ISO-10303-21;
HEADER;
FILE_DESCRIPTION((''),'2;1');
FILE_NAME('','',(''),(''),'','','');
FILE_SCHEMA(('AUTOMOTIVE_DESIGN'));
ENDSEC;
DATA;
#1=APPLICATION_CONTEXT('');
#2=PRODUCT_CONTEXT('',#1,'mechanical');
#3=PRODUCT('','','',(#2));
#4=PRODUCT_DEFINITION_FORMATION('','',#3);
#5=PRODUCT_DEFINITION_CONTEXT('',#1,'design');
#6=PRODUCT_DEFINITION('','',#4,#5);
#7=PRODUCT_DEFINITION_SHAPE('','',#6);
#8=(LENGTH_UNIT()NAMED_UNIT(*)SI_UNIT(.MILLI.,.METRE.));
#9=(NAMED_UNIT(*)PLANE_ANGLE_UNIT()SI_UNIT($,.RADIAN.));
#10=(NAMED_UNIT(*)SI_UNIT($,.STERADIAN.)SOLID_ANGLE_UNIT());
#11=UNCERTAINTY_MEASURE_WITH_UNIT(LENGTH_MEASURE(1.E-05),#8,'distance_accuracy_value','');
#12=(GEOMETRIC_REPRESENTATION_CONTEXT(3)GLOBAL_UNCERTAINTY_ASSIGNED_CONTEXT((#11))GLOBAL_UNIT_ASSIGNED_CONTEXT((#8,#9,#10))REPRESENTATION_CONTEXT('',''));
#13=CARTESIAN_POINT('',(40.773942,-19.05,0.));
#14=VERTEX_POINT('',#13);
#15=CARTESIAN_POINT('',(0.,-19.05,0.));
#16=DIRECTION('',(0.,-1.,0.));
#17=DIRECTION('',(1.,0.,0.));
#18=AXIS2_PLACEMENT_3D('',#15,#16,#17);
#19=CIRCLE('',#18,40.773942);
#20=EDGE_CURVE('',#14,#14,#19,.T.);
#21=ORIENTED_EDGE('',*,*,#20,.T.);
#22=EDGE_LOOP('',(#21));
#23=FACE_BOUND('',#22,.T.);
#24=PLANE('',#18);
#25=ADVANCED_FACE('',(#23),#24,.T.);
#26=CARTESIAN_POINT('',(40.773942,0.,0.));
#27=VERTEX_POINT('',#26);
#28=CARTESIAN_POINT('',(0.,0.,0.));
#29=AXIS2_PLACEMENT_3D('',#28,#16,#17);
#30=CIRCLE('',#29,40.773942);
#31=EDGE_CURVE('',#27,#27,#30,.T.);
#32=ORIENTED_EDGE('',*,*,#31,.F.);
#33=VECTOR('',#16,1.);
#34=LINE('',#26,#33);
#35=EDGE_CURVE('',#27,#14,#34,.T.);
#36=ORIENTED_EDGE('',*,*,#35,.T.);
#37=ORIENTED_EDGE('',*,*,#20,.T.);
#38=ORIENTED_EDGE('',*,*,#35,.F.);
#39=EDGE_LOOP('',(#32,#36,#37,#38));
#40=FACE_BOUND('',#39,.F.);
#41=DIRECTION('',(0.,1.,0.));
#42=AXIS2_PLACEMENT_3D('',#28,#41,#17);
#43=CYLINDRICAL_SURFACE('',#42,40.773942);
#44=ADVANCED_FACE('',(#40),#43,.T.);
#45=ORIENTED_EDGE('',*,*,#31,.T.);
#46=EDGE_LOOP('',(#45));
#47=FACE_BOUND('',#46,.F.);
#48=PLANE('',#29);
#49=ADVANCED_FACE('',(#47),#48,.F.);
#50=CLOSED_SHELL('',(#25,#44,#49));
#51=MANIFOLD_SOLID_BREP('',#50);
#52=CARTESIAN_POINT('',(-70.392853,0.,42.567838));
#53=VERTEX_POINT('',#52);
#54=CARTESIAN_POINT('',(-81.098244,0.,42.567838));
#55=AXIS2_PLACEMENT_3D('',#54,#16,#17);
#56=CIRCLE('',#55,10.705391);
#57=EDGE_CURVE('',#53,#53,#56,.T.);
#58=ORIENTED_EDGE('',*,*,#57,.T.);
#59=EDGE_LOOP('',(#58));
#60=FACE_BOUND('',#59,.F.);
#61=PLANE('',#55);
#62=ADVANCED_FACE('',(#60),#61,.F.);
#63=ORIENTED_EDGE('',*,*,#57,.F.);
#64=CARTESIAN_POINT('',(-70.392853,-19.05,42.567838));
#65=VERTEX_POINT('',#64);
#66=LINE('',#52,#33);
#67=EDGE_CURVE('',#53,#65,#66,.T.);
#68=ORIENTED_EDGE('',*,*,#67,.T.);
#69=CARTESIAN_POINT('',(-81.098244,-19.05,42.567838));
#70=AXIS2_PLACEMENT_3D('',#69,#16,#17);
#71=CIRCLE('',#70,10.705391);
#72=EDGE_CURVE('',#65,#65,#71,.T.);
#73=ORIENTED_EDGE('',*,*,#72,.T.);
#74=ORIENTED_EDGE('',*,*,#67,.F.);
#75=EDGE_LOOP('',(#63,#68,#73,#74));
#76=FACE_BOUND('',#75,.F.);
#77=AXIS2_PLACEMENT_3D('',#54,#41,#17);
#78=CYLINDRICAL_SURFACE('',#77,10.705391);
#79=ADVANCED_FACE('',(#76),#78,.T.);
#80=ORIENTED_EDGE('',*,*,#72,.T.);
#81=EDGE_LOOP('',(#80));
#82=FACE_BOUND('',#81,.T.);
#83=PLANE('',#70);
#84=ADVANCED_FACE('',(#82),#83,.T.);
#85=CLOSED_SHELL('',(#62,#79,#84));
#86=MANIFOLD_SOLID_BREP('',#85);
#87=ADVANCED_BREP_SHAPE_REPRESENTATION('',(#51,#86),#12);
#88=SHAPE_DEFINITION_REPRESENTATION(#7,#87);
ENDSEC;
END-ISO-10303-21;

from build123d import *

# Parameters (mm, degrees)
F1_R     = 10.705391
F2_DEPTH = 19.05
F0_R     = 40.773942
F3_DEPTH = 19.05


with BuildPart() as f2:
    # F1 (on Front) → F2 (new body)
    with BuildSketch(Plane.XZ):
        with Locations((-81.098244, 42.567838)):
            Circle(F1_R)
    extrude(amount=F2_DEPTH)


with BuildPart() as f3:
    # F0 (on Front) → F3 (new body)
    with BuildSketch(Plane.XZ):
        Circle(F0_R)
    extrude(amount=F3_DEPTH)


solid = Compound([f2.part, f3.part])
